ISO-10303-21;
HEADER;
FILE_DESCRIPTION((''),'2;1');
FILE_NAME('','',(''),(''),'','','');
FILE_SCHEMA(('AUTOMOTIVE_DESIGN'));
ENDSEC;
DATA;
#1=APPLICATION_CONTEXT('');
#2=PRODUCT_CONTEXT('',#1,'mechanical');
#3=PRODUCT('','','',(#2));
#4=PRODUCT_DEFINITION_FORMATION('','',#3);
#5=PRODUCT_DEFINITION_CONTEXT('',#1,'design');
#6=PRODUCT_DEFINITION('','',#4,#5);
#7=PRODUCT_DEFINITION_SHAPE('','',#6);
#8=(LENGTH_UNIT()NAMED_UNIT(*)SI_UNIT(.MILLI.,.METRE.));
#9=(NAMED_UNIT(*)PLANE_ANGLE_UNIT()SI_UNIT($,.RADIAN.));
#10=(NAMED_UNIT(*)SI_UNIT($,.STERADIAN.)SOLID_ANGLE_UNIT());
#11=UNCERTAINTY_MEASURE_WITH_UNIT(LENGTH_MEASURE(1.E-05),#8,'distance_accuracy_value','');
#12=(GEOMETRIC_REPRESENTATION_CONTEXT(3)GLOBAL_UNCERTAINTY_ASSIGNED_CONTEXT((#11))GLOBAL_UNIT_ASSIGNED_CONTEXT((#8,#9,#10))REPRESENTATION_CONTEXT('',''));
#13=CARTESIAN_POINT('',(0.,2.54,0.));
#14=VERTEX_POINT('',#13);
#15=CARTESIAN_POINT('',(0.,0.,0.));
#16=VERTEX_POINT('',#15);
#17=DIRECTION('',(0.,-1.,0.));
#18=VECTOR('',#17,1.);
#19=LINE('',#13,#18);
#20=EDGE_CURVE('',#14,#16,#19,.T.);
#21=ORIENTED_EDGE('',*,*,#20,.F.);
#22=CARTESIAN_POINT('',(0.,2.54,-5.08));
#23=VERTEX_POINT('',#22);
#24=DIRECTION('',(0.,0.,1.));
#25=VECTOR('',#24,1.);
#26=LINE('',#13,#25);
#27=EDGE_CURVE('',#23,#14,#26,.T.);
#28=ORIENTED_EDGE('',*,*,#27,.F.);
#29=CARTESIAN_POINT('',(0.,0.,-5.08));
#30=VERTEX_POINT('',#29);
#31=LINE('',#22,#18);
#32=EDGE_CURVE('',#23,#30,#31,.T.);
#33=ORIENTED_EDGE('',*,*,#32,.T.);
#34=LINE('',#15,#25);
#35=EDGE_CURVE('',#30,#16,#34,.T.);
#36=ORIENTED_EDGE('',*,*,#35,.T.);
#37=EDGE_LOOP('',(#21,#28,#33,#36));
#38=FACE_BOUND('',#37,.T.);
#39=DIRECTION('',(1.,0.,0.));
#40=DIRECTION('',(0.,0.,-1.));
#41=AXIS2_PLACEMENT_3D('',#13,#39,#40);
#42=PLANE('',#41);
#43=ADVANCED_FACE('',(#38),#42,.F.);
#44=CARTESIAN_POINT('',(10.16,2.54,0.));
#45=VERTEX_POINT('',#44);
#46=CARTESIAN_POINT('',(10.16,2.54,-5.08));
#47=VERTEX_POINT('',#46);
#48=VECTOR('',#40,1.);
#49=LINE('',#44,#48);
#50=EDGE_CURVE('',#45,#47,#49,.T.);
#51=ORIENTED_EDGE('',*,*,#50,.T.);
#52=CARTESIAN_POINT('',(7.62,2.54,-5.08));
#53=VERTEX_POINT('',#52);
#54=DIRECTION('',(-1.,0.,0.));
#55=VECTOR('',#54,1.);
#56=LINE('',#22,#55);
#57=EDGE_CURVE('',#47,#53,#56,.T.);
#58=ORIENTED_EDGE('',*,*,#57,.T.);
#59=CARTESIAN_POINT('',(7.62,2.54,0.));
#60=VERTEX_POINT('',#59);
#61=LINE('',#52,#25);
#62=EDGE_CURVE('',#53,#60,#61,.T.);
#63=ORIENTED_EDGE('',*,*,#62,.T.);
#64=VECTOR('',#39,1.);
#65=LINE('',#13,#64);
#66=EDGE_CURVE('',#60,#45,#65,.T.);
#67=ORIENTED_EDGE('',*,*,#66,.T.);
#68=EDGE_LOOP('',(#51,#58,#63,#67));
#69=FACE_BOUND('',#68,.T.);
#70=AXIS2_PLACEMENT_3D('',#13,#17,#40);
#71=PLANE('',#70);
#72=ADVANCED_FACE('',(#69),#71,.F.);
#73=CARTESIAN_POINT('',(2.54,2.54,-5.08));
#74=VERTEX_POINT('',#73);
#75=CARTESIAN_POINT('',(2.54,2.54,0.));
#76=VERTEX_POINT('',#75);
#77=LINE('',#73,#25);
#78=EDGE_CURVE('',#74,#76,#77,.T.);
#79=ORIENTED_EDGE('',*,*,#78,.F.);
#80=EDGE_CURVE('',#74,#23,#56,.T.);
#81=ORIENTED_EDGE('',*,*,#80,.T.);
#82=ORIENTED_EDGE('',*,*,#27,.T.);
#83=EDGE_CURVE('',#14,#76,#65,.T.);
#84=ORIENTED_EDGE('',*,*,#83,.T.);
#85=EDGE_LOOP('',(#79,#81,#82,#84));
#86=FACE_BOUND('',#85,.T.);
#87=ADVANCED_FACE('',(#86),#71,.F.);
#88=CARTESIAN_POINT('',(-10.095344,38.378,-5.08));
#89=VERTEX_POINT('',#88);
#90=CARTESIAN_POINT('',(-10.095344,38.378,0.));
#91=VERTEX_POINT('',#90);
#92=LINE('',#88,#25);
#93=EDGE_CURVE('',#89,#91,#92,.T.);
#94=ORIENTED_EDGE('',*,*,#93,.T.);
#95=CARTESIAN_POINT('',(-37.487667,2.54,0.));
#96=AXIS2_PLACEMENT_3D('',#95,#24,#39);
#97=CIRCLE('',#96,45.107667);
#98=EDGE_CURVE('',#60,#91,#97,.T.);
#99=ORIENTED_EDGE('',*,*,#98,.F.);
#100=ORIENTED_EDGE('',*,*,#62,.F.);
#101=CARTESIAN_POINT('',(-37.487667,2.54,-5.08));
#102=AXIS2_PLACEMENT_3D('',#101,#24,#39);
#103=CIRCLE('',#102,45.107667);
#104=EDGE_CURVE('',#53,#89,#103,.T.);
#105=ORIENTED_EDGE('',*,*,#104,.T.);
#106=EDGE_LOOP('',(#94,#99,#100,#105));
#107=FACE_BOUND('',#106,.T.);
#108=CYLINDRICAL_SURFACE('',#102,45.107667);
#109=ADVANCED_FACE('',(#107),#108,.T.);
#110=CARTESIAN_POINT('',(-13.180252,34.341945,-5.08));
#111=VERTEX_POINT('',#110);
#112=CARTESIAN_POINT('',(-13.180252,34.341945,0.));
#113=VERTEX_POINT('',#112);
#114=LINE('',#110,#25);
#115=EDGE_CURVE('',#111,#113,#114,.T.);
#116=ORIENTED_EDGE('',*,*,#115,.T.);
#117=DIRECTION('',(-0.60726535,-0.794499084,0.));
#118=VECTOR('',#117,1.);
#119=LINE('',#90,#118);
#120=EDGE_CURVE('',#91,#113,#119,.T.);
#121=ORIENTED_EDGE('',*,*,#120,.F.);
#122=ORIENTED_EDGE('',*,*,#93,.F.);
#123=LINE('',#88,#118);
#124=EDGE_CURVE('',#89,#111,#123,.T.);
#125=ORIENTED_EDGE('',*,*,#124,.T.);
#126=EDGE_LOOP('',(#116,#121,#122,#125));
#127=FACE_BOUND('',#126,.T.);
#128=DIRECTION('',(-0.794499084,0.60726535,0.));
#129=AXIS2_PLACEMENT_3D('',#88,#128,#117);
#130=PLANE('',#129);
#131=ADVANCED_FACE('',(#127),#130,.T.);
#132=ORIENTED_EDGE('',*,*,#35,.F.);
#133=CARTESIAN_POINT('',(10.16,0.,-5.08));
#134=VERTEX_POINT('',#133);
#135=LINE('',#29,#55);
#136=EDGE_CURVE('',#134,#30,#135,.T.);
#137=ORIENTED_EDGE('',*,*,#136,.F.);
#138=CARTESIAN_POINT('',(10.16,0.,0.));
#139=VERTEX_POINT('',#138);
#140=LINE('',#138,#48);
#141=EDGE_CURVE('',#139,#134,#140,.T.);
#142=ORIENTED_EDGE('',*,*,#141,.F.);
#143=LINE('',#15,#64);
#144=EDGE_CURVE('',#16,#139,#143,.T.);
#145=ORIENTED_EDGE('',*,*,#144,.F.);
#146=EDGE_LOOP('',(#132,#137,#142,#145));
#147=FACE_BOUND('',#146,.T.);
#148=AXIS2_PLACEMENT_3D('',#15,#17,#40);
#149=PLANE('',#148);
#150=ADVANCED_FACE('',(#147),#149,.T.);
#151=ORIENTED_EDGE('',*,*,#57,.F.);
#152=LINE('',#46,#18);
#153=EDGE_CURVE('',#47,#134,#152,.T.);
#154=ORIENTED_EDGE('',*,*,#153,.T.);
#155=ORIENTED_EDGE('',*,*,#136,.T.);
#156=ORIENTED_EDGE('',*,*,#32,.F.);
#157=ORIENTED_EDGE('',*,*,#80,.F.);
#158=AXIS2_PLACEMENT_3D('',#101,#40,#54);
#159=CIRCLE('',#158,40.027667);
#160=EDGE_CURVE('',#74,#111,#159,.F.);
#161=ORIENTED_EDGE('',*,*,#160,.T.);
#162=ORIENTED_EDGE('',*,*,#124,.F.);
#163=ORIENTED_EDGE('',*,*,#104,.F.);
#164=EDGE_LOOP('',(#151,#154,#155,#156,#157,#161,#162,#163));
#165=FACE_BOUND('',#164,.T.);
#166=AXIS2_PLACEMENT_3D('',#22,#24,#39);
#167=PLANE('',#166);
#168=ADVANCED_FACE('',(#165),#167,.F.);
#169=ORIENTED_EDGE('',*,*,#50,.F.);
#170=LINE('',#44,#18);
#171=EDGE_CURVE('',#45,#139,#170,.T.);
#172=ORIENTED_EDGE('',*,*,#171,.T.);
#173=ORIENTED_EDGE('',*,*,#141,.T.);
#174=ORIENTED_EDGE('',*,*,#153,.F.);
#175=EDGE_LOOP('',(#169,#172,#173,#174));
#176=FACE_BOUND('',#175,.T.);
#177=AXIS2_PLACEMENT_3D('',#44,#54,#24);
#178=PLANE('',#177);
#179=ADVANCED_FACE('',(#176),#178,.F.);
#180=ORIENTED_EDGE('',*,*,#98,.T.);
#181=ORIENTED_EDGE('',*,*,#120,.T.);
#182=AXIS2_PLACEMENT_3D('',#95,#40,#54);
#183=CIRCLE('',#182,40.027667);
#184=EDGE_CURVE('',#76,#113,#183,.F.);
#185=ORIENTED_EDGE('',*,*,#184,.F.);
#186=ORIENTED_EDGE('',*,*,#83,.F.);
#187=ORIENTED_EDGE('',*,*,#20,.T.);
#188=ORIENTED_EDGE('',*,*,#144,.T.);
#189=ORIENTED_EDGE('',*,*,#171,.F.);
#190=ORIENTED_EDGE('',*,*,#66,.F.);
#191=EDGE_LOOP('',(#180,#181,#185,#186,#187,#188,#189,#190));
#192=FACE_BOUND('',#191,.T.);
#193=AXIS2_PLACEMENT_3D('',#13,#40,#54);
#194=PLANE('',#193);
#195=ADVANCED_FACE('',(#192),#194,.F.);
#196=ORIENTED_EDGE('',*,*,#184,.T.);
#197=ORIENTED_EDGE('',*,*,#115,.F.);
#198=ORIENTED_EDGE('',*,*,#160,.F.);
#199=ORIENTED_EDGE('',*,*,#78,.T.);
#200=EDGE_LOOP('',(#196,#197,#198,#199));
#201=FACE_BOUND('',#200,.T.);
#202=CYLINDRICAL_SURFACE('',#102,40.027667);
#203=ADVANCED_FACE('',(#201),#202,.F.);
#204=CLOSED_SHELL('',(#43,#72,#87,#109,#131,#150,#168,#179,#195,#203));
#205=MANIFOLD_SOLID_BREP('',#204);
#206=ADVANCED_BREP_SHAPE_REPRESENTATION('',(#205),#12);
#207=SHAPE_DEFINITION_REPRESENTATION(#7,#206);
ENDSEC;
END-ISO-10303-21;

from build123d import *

# Parameters (mm, degrees)
SKETCH1_W           = 10.16
SKETCH1_H           = 5.08
BOSS_EXTRUDE1_DEPTH = 2.54
EXTRUDE_THIN1_DEPTH = 5.08


with BuildPart() as part:
    # Sketch1 → Boss-Extrude1 (new body)
    with BuildSketch(Plane(origin=(0, 0, 0), x_dir=(1, 0, 0), z_dir=(0, 1, 0))):
        with Locations((5.08, 2.54)):
            Rectangle(SKETCH1_W, SKETCH1_H)
    extrude(amount=BOSS_EXTRUDE1_DEPTH)

    # Sketch4 → Extrude-Thin1 (add)
    with BuildSketch(Plane(origin=(0, 0, 0), x_dir=(-1, 0, 0), z_dir=(0, 0, -1))):
        with BuildLine():
            ThreePointArc((-7.62, 2.54), (-2.949354511, 22.528719629), (10.095343756, 38.378000016))
            Line((10.095343756, 38.378000016), (13.180251735, 34.341944669))
            ThreePointArc((13.180251735, 34.341944669), (1.604640029, 20.277601299), (-2.54, 2.54))
            Line((-2.54, 2.54), (-7.62, 2.54))
        make_face()
    extrude(amount=EXTRUDE_THIN1_DEPTH)


solid = part.part
